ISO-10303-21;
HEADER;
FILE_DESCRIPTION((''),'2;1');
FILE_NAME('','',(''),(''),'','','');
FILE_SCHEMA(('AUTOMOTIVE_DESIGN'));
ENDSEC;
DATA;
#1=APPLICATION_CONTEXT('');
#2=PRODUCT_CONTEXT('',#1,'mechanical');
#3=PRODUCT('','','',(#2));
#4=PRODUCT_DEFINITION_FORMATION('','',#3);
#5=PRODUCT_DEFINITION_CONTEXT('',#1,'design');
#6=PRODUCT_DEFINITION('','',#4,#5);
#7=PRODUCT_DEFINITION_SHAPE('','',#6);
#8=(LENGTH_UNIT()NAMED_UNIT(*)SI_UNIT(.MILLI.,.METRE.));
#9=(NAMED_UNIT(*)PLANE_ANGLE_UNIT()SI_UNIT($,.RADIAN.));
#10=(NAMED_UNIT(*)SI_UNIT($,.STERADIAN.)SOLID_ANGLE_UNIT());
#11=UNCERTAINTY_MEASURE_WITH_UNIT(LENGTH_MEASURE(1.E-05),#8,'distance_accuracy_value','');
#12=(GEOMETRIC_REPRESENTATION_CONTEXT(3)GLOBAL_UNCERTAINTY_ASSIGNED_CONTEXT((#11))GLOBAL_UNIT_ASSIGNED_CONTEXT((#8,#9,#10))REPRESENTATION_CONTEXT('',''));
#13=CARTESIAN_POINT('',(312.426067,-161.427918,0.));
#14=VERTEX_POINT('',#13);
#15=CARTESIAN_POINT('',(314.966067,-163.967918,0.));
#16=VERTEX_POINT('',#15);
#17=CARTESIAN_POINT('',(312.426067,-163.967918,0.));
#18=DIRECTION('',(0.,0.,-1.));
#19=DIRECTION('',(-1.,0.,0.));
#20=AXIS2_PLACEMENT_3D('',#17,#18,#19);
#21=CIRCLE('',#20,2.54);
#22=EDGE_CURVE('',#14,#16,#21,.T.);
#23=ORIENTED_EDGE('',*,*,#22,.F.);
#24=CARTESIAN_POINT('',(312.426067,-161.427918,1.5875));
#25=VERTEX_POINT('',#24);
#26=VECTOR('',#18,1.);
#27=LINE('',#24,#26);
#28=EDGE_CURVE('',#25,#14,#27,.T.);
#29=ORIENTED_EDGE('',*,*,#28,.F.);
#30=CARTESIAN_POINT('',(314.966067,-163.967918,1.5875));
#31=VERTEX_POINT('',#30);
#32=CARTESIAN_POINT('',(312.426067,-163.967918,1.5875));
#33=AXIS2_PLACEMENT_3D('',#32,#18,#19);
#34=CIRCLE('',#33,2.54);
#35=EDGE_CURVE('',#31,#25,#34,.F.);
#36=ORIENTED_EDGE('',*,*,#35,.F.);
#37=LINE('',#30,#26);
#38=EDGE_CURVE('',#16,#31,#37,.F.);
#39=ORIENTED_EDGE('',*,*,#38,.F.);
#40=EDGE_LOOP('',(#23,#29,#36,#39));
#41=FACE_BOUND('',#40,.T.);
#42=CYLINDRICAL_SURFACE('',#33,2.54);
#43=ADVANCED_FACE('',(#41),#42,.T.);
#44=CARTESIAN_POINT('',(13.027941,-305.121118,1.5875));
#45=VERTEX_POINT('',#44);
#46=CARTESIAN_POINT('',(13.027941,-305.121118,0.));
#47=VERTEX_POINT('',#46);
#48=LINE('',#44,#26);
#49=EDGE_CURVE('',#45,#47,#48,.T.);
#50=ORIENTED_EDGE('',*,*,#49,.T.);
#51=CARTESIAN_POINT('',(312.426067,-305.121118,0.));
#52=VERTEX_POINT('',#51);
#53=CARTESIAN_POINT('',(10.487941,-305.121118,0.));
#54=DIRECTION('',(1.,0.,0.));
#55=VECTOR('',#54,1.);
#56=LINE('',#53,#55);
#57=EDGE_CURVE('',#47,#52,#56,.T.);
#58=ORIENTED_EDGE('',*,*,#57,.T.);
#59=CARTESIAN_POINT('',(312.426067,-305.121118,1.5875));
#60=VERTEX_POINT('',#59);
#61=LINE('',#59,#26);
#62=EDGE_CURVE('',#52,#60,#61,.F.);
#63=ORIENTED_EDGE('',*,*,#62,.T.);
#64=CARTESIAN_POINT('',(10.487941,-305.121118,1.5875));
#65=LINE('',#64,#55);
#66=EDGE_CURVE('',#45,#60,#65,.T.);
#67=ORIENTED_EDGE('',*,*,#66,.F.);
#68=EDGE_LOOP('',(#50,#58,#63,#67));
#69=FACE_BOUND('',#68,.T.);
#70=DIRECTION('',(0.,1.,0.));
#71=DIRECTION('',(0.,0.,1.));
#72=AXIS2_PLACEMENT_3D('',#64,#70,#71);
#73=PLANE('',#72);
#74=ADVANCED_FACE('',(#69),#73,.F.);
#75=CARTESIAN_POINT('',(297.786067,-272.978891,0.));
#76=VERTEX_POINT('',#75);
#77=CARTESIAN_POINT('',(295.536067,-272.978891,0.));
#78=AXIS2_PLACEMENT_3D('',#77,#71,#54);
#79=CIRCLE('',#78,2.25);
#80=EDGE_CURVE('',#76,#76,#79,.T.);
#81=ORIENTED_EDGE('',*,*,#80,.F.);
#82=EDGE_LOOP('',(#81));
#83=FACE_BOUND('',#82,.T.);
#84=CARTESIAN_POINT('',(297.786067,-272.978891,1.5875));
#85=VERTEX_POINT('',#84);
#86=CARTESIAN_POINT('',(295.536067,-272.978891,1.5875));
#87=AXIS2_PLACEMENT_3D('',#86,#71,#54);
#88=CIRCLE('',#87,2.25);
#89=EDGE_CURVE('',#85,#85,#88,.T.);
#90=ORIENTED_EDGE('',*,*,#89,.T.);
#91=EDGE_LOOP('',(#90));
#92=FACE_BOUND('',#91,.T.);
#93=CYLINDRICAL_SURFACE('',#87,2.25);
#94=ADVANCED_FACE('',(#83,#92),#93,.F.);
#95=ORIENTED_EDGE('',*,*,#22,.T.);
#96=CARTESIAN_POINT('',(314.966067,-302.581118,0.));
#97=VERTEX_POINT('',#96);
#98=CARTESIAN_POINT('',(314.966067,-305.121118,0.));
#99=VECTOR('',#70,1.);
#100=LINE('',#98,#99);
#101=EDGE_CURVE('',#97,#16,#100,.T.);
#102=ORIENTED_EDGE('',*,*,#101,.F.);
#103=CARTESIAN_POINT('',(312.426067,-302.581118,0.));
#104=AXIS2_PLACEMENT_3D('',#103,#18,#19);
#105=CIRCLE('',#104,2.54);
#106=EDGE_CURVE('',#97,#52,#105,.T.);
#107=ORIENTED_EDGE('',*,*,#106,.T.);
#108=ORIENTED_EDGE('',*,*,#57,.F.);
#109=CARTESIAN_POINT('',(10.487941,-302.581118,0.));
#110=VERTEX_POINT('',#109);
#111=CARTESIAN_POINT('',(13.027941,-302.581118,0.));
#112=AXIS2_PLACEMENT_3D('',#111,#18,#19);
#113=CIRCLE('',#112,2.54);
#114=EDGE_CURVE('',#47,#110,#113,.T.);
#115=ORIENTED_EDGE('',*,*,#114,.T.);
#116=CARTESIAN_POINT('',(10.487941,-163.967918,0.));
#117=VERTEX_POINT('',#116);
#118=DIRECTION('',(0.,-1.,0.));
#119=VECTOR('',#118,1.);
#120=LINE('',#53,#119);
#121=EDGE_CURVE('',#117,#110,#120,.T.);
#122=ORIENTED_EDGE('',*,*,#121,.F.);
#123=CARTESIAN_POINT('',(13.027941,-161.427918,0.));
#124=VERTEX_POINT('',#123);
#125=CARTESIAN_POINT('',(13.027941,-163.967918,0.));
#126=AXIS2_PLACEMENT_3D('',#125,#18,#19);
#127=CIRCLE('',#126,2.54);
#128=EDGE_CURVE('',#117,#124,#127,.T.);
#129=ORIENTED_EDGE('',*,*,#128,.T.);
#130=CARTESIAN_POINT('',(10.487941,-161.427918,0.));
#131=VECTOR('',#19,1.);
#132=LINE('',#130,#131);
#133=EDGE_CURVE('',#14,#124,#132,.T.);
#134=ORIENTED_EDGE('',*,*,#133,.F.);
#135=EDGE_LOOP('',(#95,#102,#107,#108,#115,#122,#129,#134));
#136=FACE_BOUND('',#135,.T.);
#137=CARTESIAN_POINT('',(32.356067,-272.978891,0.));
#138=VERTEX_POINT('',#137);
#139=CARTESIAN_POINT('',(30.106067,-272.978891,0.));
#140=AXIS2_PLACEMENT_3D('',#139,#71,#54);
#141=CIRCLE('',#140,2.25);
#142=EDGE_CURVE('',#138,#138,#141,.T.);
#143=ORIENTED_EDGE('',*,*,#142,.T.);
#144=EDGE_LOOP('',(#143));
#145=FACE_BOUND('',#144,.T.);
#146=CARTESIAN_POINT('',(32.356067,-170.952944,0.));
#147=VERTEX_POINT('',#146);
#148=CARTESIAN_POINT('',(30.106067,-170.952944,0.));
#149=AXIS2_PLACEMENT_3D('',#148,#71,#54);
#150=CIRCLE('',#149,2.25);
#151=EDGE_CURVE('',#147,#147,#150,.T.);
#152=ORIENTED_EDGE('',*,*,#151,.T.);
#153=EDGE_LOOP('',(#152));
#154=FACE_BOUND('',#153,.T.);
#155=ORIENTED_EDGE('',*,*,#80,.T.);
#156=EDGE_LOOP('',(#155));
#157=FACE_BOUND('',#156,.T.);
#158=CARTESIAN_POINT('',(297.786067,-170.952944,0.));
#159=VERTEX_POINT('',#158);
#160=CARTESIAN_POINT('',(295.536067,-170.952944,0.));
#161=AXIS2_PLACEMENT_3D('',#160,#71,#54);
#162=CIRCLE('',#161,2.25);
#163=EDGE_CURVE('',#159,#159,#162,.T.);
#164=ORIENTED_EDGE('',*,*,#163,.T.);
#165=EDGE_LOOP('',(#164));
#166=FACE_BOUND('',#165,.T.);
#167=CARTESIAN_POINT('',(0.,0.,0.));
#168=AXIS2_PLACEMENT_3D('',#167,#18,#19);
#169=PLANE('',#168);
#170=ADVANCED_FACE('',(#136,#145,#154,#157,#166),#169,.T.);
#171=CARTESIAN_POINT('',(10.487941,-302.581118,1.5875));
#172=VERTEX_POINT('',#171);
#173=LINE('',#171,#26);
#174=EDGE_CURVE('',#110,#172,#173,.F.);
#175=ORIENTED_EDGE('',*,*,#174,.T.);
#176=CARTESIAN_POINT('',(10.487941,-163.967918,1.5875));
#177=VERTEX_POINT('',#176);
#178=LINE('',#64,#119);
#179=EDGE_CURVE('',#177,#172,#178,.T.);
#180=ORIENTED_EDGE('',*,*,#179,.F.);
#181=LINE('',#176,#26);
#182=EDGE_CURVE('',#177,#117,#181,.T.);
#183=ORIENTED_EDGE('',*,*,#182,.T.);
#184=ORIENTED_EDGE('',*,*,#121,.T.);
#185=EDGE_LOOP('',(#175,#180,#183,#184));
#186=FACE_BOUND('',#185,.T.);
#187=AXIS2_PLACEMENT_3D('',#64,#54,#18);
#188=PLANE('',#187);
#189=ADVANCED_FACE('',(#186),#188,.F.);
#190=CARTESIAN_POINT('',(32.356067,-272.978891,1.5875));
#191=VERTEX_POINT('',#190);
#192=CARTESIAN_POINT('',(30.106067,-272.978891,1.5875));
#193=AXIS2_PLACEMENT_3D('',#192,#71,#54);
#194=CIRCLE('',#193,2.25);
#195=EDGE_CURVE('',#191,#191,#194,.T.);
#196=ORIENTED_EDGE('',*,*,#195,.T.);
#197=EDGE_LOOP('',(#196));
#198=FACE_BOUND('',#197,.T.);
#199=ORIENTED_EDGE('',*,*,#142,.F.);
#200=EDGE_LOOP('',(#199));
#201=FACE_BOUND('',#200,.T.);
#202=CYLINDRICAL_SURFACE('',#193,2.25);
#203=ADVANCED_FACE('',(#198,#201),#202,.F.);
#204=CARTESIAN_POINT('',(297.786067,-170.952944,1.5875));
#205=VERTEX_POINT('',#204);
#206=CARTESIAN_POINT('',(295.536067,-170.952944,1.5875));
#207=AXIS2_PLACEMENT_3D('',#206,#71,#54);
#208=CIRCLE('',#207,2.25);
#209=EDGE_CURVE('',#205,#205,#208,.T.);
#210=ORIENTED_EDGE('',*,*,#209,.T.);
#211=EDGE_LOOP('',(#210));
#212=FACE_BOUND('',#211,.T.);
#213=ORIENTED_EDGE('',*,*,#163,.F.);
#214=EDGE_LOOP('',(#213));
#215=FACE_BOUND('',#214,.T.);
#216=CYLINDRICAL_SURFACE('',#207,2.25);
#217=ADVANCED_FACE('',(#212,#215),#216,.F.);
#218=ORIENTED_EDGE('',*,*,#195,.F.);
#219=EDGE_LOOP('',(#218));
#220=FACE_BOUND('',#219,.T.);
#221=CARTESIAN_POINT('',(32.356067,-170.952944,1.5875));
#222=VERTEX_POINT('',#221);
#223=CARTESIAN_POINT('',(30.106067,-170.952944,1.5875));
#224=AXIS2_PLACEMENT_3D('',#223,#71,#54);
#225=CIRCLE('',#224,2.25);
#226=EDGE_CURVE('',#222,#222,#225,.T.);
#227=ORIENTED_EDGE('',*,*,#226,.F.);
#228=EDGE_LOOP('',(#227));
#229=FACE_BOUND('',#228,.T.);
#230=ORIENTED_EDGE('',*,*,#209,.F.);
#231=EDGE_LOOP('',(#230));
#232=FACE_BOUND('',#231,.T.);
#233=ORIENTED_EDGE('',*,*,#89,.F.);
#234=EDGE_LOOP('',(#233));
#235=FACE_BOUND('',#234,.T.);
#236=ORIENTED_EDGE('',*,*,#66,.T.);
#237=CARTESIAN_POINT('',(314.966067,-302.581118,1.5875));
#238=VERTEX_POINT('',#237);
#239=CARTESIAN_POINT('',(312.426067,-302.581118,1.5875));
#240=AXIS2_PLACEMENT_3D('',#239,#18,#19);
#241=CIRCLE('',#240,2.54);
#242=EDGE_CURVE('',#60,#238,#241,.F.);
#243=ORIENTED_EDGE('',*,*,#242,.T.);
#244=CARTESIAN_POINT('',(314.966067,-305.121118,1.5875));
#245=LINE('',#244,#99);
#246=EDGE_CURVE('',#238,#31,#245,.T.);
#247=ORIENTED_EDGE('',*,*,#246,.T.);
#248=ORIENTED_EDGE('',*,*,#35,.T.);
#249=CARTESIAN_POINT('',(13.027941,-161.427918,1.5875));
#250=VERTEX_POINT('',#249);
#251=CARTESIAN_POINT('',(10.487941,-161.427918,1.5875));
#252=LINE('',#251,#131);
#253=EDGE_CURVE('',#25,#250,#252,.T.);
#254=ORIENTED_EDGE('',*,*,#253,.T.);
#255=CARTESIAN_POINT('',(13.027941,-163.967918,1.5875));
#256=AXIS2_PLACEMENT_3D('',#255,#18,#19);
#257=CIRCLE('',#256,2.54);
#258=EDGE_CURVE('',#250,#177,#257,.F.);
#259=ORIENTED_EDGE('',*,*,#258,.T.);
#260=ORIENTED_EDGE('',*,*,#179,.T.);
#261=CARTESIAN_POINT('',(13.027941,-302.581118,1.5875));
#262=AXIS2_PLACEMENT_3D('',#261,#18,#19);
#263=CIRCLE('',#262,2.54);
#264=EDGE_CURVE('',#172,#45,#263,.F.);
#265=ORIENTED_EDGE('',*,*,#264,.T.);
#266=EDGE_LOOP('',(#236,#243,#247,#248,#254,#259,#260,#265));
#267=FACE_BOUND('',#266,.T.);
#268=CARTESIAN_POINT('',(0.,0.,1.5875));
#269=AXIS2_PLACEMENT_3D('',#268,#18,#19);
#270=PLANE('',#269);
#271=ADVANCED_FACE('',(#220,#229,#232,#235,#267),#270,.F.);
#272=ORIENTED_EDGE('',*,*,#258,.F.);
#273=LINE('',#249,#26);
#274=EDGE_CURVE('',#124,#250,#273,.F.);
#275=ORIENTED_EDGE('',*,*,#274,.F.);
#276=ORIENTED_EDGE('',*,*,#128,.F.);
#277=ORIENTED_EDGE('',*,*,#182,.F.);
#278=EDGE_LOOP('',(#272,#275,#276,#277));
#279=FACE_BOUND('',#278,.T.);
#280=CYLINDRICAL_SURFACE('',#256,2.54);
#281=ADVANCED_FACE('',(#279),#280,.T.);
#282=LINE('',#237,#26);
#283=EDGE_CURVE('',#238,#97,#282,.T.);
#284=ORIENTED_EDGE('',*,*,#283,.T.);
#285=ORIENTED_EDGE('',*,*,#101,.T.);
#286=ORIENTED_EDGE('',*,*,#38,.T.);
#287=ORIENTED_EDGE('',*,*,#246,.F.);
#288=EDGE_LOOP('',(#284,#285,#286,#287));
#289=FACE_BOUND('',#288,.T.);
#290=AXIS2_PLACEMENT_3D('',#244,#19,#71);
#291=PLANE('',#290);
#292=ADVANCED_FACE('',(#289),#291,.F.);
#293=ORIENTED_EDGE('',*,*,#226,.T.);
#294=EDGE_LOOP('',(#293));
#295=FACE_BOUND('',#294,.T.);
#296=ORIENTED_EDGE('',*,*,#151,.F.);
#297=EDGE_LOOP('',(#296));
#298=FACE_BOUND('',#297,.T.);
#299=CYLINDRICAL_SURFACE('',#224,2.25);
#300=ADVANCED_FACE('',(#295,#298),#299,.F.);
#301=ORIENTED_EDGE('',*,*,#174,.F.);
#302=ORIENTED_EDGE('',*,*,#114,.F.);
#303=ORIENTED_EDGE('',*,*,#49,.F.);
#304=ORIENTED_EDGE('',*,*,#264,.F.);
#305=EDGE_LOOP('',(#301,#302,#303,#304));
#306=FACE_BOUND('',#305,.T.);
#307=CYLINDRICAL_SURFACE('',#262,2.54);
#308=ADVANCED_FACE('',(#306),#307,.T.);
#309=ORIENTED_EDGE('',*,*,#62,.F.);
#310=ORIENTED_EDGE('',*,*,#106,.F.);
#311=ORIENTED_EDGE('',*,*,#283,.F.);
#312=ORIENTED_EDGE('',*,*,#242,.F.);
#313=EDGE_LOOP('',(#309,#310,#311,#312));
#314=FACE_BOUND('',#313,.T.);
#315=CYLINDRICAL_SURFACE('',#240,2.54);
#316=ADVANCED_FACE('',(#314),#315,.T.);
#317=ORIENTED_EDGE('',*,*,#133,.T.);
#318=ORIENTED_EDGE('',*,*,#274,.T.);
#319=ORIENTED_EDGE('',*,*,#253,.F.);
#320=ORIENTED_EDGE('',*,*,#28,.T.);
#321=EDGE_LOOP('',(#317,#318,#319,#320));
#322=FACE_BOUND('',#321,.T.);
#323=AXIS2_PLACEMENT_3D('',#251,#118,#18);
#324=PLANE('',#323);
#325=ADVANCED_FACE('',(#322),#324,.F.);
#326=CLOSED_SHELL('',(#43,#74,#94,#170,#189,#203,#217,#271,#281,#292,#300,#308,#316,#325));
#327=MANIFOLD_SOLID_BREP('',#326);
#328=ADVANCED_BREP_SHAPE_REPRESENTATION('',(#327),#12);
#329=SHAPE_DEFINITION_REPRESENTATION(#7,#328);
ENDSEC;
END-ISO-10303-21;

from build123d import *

# Parameters (mm, degrees)
SKETCH1_W            = 304.478126018
SKETCH1_H            = 143.693200147
SKETCH1_R            = 1.963769259
SKETCH1_R_2          = 1.779821827
SKETCH1_R_3          = 1.61224473
SKETCH1_R_4          = 1.682415614
BOSS_EXTRUDE1_DEPTH  = 1.5875
FILLET1_R            = 2.54
M4_CLEARANCE_HOLE1_D = 4.5


with BuildPart() as part:
    # Sketch1 → Boss-Extrude1 (new body)
    with BuildSketch(Plane.XY):
        with Locations((162.727004442, -233.274517622)):
            Rectangle(SKETCH1_W, SKETCH1_H)
        with Locations((30.106067449, -170.952944133)):
            Circle(SKETCH1_R, mode=Mode.SUBTRACT)
        with Locations((295.536067449, -170.952944133)):
            Circle(SKETCH1_R_2, mode=Mode.SUBTRACT)
        with Locations((295.536067449, -272.978890964)):
            Circle(SKETCH1_R_3, mode=Mode.SUBTRACT)
        with Locations((30.106067449, -272.978890964)):
            Circle(SKETCH1_R_4, mode=Mode.SUBTRACT)
    extrude(amount=BOSS_EXTRUDE1_DEPTH)

    # Fillet1
    fillet1_edges = [part.edges().sort_by_distance(p)[0] for p in [
        (10.487941433, -161.427917548, 0.79375),
        (314.966067451, -161.427917548, 0.79375),
        (314.966067451, -305.121117695, 0.79375),
        (10.487941433, -305.121117695, 0.79375),
    ]]
    fillet(fillet1_edges, radius=FILLET1_R)

    # M4 Clearance Hole1 (through all)
    with Locations(Plane.XY.offset(1.5875)):
        with Locations((30.106067449, -170.952944133), (30.106067449, -272.978890964), (295.536067449, -170.952944133), (295.536067449, -272.978890964)):
            Hole(M4_CLEARANCE_HOLE1_D / 2)


solid = part.part
